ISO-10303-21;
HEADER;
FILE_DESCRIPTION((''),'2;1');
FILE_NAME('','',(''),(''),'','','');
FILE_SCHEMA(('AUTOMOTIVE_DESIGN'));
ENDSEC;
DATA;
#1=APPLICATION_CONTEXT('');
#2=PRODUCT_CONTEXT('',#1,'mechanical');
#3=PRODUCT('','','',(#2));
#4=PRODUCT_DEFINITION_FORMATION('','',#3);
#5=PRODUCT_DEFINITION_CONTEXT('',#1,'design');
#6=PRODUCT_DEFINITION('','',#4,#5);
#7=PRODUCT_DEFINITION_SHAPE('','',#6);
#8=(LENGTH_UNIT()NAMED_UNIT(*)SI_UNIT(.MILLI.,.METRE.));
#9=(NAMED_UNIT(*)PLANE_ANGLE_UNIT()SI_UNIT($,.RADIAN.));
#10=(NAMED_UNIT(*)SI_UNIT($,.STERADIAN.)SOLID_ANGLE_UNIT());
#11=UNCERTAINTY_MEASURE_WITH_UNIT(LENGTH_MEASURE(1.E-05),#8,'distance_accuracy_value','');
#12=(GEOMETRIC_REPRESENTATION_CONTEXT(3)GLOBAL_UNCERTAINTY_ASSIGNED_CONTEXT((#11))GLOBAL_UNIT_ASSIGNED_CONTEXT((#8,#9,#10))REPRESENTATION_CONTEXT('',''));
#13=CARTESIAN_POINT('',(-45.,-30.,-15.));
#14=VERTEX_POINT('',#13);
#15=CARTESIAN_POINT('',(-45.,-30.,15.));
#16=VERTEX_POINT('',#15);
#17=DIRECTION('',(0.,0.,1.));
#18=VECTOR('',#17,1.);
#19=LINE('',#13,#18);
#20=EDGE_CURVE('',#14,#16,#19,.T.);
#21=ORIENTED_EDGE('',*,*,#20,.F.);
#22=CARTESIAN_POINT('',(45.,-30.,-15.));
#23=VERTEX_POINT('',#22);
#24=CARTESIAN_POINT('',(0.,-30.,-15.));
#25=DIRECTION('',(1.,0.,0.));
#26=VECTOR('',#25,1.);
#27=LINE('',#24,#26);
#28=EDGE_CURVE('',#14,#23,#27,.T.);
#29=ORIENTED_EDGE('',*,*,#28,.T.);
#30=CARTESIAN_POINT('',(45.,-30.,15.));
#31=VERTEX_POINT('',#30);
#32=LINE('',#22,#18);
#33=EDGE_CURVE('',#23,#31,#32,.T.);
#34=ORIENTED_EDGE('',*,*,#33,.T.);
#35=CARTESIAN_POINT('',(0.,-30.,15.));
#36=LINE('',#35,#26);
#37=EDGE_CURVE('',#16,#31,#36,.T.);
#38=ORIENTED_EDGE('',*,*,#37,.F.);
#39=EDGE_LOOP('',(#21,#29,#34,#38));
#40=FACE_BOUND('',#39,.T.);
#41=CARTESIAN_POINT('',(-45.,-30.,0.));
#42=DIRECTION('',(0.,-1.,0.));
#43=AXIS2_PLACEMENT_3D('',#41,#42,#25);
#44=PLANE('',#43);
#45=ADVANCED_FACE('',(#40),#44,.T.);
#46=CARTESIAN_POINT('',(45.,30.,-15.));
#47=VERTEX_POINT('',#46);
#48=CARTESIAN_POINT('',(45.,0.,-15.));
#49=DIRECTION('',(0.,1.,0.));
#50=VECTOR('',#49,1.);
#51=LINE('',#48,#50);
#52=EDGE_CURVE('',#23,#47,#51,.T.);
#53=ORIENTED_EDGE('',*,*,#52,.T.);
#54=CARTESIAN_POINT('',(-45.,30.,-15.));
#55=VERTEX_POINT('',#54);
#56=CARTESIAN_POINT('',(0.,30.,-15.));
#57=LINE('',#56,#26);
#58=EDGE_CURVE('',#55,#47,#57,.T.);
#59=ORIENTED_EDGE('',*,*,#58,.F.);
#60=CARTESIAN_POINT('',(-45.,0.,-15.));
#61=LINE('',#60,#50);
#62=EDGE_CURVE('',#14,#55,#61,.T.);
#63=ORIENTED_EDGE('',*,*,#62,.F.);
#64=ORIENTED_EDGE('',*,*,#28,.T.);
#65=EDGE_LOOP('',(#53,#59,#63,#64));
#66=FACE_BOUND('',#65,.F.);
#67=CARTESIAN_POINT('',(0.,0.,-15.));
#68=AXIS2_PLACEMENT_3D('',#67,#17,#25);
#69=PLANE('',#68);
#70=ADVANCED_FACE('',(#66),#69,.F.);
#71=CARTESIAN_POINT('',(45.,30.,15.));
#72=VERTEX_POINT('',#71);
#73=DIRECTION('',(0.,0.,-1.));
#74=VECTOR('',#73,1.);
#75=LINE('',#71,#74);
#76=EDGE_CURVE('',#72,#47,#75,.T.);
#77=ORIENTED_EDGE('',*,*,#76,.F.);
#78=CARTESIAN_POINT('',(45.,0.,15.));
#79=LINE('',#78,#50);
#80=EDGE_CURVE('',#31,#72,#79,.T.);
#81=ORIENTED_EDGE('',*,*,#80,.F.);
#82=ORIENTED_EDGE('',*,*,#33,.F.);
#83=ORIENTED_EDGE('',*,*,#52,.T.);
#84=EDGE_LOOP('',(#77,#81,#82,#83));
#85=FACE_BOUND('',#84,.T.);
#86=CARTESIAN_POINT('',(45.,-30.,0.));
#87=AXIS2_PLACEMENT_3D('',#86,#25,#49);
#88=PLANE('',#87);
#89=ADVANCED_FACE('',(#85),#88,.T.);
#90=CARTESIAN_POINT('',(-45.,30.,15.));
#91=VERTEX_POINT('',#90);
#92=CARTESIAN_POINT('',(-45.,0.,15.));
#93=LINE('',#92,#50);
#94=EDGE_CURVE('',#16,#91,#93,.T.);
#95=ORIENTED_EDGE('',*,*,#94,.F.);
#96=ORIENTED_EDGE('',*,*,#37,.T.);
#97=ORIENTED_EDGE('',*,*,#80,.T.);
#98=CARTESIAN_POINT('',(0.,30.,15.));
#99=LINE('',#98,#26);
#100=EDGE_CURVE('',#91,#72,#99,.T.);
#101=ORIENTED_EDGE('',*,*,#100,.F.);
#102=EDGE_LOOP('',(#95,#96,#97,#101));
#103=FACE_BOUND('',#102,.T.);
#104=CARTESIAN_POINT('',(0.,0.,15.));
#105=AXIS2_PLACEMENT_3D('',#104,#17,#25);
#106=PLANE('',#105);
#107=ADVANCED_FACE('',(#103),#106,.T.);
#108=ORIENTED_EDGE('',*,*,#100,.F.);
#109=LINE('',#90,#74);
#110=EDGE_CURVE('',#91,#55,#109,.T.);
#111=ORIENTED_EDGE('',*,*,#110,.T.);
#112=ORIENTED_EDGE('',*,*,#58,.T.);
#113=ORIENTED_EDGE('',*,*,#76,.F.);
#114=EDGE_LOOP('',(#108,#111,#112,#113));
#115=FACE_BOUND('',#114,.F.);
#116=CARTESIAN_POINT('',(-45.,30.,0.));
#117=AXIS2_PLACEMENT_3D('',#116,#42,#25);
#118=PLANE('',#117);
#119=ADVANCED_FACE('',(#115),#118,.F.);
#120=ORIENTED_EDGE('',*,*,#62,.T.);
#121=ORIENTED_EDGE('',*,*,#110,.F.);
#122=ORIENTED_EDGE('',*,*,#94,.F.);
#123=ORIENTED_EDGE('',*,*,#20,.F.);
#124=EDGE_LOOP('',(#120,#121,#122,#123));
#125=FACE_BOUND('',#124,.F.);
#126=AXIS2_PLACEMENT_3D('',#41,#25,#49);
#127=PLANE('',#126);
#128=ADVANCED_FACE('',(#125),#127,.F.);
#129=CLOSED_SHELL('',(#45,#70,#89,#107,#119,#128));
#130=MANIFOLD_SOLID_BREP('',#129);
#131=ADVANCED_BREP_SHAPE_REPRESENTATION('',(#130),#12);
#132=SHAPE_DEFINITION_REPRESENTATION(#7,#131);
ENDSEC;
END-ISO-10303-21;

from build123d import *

# Parameters (mm, degrees)
SKETCH_W  = 90
SKETCH_H  = 60
PAD_DEPTH = 15


with BuildPart() as part:
    # Sketch → Pad (new body, symmetric)
    with BuildSketch(Plane.XY):
        Rectangle(SKETCH_W, SKETCH_H)
    extrude(amount=PAD_DEPTH, both=True)


solid = part.part
